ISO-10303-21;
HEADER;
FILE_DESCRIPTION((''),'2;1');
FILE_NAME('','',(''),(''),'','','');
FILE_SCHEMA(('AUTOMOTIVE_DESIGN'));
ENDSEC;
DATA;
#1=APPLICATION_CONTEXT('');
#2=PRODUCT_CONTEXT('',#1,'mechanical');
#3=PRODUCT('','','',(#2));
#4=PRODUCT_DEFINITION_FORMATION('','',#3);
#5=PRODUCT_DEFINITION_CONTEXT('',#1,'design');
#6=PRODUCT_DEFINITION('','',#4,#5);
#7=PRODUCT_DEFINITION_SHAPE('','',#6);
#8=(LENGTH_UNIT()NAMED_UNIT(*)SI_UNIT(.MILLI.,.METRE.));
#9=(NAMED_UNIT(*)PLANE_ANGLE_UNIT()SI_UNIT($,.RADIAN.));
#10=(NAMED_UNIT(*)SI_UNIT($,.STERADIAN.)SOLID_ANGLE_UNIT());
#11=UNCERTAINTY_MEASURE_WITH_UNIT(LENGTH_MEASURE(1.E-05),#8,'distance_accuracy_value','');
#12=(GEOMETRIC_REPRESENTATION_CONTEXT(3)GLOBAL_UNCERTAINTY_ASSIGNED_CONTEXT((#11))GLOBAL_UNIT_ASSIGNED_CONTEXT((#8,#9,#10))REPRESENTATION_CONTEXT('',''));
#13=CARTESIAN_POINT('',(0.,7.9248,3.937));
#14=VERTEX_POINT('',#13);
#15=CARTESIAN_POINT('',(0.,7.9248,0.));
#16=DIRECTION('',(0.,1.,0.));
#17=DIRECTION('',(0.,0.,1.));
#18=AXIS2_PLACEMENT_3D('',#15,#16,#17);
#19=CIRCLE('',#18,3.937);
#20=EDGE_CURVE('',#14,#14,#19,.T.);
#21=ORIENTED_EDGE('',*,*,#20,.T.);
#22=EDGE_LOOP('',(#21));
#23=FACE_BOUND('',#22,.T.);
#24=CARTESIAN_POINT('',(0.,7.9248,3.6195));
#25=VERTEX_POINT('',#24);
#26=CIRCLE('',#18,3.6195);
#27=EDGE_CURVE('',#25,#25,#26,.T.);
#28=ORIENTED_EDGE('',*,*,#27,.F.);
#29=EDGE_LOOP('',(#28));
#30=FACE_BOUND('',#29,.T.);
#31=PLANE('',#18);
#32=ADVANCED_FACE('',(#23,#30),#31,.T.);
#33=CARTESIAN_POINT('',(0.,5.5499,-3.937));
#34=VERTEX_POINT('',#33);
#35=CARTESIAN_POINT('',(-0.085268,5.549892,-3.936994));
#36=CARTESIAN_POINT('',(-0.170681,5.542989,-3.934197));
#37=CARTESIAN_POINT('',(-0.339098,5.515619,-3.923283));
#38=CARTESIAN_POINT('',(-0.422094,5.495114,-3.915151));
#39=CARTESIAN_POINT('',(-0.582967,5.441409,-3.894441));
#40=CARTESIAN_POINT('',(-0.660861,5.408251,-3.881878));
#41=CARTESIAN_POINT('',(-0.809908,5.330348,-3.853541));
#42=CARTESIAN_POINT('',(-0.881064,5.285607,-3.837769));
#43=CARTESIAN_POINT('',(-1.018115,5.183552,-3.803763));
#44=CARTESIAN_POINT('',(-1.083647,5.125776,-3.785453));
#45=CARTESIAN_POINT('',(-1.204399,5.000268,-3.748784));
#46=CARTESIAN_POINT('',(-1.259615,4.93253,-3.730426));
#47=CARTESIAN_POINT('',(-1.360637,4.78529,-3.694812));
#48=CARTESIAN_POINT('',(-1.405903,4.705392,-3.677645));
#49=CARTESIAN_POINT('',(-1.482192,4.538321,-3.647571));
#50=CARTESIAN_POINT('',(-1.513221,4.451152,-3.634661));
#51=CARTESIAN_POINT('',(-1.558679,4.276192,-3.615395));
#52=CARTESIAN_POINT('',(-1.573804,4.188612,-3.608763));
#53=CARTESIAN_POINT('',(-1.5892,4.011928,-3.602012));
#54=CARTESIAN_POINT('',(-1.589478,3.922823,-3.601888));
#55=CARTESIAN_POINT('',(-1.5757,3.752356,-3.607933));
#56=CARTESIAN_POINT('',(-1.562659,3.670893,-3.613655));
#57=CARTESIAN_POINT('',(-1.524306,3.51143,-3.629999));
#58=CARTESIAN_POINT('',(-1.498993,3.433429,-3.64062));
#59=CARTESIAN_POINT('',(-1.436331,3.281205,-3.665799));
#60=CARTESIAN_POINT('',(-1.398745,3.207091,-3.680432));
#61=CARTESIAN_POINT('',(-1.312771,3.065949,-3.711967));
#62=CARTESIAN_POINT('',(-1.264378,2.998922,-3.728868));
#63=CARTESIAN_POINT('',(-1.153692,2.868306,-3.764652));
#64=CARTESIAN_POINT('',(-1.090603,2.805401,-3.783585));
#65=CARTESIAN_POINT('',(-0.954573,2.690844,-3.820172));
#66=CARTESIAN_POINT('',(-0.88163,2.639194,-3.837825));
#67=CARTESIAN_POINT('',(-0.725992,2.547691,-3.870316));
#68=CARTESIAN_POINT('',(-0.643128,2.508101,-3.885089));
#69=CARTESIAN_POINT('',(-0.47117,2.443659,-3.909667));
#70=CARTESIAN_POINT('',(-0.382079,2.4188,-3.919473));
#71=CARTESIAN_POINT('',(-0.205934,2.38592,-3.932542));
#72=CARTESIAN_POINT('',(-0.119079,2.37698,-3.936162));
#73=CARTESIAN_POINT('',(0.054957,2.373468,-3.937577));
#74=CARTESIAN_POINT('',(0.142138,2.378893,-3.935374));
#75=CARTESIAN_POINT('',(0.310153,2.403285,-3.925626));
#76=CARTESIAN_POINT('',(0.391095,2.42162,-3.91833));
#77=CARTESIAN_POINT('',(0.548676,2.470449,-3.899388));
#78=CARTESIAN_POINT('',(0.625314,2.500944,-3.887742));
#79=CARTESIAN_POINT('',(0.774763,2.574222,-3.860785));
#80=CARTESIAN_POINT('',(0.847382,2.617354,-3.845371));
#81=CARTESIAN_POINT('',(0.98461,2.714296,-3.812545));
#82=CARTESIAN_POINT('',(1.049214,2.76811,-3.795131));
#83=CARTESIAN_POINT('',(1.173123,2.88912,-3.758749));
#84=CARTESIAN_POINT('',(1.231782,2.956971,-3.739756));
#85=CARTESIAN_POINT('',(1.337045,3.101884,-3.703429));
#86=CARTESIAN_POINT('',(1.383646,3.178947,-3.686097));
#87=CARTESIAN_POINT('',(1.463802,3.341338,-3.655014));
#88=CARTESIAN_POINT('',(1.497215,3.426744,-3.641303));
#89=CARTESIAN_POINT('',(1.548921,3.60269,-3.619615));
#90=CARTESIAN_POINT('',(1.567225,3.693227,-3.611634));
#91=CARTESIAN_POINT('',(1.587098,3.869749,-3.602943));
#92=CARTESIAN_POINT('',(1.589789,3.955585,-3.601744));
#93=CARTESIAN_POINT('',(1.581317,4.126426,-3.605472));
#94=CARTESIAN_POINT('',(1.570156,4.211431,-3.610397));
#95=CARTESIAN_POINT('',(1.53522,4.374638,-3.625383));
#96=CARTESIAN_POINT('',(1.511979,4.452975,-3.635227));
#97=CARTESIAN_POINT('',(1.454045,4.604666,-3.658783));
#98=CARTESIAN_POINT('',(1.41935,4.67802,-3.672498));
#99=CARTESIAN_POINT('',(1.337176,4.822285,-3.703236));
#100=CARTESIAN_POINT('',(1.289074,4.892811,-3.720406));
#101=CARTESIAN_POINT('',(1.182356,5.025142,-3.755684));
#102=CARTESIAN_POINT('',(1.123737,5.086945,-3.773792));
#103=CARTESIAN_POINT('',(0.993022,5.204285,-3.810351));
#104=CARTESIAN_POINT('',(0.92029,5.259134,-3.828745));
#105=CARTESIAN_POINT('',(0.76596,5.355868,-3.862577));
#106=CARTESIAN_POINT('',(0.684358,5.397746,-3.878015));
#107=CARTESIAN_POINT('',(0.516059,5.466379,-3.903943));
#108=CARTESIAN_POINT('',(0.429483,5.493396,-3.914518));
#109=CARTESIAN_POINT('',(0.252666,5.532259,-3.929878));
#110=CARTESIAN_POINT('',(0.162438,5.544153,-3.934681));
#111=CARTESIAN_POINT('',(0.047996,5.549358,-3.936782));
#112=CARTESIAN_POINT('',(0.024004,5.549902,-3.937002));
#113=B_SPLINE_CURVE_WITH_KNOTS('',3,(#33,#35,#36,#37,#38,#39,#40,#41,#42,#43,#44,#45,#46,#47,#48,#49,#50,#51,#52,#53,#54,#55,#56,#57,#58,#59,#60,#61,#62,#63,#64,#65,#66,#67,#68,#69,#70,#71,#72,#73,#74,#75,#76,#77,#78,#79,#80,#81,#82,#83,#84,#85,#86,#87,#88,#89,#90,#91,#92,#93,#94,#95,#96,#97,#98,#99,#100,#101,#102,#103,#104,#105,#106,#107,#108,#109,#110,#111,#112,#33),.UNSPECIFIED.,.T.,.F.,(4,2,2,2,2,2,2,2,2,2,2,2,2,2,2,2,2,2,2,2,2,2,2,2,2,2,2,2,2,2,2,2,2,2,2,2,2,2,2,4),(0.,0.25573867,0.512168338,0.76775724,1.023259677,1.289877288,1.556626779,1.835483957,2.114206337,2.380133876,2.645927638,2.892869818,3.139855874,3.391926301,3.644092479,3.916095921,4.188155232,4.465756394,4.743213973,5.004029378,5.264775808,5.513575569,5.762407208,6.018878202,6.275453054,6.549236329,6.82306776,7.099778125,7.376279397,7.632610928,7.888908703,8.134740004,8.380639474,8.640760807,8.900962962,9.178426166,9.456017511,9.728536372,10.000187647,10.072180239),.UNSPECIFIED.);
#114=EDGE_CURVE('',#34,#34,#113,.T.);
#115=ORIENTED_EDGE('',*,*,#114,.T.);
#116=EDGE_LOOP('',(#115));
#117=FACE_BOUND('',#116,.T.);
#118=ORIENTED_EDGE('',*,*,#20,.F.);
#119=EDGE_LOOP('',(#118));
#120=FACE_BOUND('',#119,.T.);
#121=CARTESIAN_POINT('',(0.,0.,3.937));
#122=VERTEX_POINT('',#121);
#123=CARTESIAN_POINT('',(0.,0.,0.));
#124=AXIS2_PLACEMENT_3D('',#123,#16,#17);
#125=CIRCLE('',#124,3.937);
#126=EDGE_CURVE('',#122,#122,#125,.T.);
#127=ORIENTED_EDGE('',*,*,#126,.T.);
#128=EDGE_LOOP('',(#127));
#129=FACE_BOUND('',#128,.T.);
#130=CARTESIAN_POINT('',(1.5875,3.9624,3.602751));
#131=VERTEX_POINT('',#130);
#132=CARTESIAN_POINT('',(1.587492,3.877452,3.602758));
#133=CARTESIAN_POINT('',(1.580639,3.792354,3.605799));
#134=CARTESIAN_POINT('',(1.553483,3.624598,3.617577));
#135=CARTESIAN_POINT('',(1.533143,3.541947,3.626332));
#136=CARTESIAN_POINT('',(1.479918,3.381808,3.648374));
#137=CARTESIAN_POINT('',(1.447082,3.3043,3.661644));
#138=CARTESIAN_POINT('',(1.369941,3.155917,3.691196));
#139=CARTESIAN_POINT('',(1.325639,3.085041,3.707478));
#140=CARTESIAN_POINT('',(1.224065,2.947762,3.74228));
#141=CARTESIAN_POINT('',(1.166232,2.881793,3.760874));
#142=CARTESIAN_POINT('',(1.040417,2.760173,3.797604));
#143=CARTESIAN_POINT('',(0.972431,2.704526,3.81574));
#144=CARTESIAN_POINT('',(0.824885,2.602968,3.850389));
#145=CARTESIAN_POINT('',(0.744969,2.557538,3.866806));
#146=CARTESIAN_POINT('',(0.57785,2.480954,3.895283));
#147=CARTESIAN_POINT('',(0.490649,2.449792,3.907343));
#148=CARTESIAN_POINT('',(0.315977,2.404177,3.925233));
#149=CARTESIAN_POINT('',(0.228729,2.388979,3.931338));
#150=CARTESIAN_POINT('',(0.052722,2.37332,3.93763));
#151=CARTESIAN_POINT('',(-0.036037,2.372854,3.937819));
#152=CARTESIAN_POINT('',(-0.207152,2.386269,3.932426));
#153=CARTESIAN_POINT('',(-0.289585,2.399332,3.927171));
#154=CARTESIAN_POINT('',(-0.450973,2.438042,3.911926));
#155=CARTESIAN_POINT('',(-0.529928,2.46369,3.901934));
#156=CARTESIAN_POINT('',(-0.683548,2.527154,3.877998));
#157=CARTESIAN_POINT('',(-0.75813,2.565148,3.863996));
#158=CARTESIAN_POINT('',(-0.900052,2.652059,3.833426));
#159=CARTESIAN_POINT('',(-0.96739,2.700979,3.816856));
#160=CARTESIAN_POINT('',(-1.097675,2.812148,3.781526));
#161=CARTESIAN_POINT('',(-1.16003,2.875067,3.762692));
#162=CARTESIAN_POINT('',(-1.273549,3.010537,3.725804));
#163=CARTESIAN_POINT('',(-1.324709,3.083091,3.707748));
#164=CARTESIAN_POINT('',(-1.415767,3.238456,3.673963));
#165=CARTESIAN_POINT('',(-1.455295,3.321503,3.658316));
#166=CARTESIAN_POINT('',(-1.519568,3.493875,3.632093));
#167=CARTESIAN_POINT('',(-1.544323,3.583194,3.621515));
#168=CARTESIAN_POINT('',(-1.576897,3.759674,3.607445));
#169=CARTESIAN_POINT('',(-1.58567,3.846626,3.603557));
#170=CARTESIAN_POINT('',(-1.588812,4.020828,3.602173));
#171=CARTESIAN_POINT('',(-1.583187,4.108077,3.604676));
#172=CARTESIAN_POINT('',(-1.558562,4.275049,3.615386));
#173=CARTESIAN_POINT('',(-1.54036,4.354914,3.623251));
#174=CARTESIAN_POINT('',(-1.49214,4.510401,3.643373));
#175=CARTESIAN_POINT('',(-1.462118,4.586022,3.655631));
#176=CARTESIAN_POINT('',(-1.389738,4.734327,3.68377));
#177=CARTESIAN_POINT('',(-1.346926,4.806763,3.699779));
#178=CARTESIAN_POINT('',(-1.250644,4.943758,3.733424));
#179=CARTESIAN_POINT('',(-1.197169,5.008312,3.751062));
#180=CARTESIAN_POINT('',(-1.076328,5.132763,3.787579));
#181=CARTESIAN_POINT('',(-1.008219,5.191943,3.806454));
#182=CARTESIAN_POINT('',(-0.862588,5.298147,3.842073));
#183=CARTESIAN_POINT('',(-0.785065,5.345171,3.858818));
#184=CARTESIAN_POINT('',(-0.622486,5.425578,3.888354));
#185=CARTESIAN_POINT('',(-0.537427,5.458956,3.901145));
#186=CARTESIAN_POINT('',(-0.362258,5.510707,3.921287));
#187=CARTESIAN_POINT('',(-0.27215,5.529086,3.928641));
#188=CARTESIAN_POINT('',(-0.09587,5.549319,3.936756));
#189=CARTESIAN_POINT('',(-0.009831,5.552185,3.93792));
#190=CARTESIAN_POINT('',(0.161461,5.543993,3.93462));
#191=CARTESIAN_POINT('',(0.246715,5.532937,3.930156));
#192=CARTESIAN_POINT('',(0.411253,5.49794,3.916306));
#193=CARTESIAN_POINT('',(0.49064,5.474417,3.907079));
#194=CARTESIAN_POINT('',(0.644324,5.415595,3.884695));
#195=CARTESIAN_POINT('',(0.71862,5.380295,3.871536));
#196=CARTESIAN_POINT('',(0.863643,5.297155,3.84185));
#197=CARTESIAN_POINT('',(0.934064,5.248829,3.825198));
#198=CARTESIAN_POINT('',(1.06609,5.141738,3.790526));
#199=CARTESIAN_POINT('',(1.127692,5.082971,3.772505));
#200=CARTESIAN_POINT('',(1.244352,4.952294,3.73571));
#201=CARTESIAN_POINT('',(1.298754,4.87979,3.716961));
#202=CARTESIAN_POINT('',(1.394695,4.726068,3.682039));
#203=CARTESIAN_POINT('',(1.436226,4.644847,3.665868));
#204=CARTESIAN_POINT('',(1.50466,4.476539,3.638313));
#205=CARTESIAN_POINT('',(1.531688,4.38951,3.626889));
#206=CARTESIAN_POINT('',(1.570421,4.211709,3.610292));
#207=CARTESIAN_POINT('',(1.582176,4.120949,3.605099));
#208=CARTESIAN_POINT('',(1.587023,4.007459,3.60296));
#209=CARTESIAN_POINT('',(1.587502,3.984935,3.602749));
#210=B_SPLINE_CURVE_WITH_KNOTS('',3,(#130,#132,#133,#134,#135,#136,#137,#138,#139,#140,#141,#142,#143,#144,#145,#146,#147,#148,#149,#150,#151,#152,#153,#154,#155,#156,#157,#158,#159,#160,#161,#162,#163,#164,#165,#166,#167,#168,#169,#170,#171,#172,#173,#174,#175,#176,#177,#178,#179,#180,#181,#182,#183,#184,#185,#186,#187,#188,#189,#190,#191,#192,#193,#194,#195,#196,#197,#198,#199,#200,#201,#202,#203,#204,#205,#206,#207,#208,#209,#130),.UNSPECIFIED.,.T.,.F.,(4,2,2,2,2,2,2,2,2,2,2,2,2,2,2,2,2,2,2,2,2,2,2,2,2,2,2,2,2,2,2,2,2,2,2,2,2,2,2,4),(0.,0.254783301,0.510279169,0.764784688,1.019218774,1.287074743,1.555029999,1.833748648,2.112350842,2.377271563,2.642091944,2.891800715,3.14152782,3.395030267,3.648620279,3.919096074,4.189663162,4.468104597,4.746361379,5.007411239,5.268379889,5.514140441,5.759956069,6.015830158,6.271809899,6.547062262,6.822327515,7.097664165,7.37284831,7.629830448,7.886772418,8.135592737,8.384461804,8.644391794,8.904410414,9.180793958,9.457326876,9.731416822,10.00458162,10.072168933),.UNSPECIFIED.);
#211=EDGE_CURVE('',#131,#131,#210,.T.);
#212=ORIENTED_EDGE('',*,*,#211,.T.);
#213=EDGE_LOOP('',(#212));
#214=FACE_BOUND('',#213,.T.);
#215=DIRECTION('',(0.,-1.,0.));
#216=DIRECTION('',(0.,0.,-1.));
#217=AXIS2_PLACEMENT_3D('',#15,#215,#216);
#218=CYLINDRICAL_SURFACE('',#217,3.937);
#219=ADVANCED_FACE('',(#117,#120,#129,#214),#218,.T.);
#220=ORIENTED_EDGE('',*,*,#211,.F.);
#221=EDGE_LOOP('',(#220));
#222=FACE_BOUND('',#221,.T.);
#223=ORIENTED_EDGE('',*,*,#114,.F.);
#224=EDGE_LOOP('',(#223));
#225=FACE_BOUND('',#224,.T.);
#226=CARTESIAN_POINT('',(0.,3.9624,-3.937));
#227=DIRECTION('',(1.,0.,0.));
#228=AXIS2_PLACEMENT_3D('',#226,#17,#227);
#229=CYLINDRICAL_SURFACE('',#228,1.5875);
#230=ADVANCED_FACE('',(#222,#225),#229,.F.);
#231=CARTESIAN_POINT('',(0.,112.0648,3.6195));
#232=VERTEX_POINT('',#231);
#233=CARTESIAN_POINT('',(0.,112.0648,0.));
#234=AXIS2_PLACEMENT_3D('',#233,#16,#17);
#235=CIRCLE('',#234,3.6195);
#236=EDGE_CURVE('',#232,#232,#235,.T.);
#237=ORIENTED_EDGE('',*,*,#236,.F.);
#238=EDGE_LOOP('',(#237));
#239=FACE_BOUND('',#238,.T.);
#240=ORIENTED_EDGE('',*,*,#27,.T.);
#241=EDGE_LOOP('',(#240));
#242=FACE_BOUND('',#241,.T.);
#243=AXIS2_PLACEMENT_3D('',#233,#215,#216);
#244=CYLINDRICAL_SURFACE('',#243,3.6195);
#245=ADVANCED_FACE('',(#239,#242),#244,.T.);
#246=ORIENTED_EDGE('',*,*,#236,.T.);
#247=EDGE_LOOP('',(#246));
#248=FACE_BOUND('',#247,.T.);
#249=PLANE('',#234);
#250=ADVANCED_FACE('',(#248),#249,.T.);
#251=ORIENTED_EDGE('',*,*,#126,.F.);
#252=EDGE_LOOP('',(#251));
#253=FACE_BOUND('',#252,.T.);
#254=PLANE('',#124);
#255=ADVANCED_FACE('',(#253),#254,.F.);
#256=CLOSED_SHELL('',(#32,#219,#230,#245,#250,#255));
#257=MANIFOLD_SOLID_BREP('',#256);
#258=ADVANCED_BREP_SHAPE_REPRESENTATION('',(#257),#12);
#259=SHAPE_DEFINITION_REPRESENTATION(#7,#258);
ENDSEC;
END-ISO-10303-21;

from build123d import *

# Parameters (mm, degrees)
SKETCH1_R               = 3.937
BOSS_EXTRUDE1_DEPTH     = 7.9248
SKETCH3_R               = 3.6195
BOSS_EXTRUDE2_DEPTH     = 104.14
SKETCH4_R               = 1.5875
CUT_EXTRUDE1_DEPTH      = 4.937
CUT_EXTRUDE1_DEPTH_BACK = 4.937


with BuildPart() as part:
    # Sketch1 → Boss-Extrude1 (new body)
    with BuildSketch(Plane(origin=(0, 0, 0), x_dir=(1, 0, 0), z_dir=(0, 1, 0))):
        Circle(SKETCH1_R)
    extrude(amount=BOSS_EXTRUDE1_DEPTH)

    # Sketch3 → Boss-Extrude2 (add)
    with BuildSketch(Plane(origin=(0, 7.9248, 0), x_dir=(1, 0, 0), z_dir=(0, 1, 0))):
        Circle(SKETCH3_R)
    extrude(amount=BOSS_EXTRUDE2_DEPTH)

    # Sketch4 → Cut-Extrude1 (cut, two sides)
    with BuildSketch(Plane.XY) as cut_extrude1_sk:
        with Locations((0, 3.9624)):
            Circle(SKETCH4_R)
    extrude(amount=CUT_EXTRUDE1_DEPTH, mode=Mode.SUBTRACT)
    extrude(cut_extrude1_sk.sketch, amount=-CUT_EXTRUDE1_DEPTH_BACK, mode=Mode.SUBTRACT)


solid = part.part
